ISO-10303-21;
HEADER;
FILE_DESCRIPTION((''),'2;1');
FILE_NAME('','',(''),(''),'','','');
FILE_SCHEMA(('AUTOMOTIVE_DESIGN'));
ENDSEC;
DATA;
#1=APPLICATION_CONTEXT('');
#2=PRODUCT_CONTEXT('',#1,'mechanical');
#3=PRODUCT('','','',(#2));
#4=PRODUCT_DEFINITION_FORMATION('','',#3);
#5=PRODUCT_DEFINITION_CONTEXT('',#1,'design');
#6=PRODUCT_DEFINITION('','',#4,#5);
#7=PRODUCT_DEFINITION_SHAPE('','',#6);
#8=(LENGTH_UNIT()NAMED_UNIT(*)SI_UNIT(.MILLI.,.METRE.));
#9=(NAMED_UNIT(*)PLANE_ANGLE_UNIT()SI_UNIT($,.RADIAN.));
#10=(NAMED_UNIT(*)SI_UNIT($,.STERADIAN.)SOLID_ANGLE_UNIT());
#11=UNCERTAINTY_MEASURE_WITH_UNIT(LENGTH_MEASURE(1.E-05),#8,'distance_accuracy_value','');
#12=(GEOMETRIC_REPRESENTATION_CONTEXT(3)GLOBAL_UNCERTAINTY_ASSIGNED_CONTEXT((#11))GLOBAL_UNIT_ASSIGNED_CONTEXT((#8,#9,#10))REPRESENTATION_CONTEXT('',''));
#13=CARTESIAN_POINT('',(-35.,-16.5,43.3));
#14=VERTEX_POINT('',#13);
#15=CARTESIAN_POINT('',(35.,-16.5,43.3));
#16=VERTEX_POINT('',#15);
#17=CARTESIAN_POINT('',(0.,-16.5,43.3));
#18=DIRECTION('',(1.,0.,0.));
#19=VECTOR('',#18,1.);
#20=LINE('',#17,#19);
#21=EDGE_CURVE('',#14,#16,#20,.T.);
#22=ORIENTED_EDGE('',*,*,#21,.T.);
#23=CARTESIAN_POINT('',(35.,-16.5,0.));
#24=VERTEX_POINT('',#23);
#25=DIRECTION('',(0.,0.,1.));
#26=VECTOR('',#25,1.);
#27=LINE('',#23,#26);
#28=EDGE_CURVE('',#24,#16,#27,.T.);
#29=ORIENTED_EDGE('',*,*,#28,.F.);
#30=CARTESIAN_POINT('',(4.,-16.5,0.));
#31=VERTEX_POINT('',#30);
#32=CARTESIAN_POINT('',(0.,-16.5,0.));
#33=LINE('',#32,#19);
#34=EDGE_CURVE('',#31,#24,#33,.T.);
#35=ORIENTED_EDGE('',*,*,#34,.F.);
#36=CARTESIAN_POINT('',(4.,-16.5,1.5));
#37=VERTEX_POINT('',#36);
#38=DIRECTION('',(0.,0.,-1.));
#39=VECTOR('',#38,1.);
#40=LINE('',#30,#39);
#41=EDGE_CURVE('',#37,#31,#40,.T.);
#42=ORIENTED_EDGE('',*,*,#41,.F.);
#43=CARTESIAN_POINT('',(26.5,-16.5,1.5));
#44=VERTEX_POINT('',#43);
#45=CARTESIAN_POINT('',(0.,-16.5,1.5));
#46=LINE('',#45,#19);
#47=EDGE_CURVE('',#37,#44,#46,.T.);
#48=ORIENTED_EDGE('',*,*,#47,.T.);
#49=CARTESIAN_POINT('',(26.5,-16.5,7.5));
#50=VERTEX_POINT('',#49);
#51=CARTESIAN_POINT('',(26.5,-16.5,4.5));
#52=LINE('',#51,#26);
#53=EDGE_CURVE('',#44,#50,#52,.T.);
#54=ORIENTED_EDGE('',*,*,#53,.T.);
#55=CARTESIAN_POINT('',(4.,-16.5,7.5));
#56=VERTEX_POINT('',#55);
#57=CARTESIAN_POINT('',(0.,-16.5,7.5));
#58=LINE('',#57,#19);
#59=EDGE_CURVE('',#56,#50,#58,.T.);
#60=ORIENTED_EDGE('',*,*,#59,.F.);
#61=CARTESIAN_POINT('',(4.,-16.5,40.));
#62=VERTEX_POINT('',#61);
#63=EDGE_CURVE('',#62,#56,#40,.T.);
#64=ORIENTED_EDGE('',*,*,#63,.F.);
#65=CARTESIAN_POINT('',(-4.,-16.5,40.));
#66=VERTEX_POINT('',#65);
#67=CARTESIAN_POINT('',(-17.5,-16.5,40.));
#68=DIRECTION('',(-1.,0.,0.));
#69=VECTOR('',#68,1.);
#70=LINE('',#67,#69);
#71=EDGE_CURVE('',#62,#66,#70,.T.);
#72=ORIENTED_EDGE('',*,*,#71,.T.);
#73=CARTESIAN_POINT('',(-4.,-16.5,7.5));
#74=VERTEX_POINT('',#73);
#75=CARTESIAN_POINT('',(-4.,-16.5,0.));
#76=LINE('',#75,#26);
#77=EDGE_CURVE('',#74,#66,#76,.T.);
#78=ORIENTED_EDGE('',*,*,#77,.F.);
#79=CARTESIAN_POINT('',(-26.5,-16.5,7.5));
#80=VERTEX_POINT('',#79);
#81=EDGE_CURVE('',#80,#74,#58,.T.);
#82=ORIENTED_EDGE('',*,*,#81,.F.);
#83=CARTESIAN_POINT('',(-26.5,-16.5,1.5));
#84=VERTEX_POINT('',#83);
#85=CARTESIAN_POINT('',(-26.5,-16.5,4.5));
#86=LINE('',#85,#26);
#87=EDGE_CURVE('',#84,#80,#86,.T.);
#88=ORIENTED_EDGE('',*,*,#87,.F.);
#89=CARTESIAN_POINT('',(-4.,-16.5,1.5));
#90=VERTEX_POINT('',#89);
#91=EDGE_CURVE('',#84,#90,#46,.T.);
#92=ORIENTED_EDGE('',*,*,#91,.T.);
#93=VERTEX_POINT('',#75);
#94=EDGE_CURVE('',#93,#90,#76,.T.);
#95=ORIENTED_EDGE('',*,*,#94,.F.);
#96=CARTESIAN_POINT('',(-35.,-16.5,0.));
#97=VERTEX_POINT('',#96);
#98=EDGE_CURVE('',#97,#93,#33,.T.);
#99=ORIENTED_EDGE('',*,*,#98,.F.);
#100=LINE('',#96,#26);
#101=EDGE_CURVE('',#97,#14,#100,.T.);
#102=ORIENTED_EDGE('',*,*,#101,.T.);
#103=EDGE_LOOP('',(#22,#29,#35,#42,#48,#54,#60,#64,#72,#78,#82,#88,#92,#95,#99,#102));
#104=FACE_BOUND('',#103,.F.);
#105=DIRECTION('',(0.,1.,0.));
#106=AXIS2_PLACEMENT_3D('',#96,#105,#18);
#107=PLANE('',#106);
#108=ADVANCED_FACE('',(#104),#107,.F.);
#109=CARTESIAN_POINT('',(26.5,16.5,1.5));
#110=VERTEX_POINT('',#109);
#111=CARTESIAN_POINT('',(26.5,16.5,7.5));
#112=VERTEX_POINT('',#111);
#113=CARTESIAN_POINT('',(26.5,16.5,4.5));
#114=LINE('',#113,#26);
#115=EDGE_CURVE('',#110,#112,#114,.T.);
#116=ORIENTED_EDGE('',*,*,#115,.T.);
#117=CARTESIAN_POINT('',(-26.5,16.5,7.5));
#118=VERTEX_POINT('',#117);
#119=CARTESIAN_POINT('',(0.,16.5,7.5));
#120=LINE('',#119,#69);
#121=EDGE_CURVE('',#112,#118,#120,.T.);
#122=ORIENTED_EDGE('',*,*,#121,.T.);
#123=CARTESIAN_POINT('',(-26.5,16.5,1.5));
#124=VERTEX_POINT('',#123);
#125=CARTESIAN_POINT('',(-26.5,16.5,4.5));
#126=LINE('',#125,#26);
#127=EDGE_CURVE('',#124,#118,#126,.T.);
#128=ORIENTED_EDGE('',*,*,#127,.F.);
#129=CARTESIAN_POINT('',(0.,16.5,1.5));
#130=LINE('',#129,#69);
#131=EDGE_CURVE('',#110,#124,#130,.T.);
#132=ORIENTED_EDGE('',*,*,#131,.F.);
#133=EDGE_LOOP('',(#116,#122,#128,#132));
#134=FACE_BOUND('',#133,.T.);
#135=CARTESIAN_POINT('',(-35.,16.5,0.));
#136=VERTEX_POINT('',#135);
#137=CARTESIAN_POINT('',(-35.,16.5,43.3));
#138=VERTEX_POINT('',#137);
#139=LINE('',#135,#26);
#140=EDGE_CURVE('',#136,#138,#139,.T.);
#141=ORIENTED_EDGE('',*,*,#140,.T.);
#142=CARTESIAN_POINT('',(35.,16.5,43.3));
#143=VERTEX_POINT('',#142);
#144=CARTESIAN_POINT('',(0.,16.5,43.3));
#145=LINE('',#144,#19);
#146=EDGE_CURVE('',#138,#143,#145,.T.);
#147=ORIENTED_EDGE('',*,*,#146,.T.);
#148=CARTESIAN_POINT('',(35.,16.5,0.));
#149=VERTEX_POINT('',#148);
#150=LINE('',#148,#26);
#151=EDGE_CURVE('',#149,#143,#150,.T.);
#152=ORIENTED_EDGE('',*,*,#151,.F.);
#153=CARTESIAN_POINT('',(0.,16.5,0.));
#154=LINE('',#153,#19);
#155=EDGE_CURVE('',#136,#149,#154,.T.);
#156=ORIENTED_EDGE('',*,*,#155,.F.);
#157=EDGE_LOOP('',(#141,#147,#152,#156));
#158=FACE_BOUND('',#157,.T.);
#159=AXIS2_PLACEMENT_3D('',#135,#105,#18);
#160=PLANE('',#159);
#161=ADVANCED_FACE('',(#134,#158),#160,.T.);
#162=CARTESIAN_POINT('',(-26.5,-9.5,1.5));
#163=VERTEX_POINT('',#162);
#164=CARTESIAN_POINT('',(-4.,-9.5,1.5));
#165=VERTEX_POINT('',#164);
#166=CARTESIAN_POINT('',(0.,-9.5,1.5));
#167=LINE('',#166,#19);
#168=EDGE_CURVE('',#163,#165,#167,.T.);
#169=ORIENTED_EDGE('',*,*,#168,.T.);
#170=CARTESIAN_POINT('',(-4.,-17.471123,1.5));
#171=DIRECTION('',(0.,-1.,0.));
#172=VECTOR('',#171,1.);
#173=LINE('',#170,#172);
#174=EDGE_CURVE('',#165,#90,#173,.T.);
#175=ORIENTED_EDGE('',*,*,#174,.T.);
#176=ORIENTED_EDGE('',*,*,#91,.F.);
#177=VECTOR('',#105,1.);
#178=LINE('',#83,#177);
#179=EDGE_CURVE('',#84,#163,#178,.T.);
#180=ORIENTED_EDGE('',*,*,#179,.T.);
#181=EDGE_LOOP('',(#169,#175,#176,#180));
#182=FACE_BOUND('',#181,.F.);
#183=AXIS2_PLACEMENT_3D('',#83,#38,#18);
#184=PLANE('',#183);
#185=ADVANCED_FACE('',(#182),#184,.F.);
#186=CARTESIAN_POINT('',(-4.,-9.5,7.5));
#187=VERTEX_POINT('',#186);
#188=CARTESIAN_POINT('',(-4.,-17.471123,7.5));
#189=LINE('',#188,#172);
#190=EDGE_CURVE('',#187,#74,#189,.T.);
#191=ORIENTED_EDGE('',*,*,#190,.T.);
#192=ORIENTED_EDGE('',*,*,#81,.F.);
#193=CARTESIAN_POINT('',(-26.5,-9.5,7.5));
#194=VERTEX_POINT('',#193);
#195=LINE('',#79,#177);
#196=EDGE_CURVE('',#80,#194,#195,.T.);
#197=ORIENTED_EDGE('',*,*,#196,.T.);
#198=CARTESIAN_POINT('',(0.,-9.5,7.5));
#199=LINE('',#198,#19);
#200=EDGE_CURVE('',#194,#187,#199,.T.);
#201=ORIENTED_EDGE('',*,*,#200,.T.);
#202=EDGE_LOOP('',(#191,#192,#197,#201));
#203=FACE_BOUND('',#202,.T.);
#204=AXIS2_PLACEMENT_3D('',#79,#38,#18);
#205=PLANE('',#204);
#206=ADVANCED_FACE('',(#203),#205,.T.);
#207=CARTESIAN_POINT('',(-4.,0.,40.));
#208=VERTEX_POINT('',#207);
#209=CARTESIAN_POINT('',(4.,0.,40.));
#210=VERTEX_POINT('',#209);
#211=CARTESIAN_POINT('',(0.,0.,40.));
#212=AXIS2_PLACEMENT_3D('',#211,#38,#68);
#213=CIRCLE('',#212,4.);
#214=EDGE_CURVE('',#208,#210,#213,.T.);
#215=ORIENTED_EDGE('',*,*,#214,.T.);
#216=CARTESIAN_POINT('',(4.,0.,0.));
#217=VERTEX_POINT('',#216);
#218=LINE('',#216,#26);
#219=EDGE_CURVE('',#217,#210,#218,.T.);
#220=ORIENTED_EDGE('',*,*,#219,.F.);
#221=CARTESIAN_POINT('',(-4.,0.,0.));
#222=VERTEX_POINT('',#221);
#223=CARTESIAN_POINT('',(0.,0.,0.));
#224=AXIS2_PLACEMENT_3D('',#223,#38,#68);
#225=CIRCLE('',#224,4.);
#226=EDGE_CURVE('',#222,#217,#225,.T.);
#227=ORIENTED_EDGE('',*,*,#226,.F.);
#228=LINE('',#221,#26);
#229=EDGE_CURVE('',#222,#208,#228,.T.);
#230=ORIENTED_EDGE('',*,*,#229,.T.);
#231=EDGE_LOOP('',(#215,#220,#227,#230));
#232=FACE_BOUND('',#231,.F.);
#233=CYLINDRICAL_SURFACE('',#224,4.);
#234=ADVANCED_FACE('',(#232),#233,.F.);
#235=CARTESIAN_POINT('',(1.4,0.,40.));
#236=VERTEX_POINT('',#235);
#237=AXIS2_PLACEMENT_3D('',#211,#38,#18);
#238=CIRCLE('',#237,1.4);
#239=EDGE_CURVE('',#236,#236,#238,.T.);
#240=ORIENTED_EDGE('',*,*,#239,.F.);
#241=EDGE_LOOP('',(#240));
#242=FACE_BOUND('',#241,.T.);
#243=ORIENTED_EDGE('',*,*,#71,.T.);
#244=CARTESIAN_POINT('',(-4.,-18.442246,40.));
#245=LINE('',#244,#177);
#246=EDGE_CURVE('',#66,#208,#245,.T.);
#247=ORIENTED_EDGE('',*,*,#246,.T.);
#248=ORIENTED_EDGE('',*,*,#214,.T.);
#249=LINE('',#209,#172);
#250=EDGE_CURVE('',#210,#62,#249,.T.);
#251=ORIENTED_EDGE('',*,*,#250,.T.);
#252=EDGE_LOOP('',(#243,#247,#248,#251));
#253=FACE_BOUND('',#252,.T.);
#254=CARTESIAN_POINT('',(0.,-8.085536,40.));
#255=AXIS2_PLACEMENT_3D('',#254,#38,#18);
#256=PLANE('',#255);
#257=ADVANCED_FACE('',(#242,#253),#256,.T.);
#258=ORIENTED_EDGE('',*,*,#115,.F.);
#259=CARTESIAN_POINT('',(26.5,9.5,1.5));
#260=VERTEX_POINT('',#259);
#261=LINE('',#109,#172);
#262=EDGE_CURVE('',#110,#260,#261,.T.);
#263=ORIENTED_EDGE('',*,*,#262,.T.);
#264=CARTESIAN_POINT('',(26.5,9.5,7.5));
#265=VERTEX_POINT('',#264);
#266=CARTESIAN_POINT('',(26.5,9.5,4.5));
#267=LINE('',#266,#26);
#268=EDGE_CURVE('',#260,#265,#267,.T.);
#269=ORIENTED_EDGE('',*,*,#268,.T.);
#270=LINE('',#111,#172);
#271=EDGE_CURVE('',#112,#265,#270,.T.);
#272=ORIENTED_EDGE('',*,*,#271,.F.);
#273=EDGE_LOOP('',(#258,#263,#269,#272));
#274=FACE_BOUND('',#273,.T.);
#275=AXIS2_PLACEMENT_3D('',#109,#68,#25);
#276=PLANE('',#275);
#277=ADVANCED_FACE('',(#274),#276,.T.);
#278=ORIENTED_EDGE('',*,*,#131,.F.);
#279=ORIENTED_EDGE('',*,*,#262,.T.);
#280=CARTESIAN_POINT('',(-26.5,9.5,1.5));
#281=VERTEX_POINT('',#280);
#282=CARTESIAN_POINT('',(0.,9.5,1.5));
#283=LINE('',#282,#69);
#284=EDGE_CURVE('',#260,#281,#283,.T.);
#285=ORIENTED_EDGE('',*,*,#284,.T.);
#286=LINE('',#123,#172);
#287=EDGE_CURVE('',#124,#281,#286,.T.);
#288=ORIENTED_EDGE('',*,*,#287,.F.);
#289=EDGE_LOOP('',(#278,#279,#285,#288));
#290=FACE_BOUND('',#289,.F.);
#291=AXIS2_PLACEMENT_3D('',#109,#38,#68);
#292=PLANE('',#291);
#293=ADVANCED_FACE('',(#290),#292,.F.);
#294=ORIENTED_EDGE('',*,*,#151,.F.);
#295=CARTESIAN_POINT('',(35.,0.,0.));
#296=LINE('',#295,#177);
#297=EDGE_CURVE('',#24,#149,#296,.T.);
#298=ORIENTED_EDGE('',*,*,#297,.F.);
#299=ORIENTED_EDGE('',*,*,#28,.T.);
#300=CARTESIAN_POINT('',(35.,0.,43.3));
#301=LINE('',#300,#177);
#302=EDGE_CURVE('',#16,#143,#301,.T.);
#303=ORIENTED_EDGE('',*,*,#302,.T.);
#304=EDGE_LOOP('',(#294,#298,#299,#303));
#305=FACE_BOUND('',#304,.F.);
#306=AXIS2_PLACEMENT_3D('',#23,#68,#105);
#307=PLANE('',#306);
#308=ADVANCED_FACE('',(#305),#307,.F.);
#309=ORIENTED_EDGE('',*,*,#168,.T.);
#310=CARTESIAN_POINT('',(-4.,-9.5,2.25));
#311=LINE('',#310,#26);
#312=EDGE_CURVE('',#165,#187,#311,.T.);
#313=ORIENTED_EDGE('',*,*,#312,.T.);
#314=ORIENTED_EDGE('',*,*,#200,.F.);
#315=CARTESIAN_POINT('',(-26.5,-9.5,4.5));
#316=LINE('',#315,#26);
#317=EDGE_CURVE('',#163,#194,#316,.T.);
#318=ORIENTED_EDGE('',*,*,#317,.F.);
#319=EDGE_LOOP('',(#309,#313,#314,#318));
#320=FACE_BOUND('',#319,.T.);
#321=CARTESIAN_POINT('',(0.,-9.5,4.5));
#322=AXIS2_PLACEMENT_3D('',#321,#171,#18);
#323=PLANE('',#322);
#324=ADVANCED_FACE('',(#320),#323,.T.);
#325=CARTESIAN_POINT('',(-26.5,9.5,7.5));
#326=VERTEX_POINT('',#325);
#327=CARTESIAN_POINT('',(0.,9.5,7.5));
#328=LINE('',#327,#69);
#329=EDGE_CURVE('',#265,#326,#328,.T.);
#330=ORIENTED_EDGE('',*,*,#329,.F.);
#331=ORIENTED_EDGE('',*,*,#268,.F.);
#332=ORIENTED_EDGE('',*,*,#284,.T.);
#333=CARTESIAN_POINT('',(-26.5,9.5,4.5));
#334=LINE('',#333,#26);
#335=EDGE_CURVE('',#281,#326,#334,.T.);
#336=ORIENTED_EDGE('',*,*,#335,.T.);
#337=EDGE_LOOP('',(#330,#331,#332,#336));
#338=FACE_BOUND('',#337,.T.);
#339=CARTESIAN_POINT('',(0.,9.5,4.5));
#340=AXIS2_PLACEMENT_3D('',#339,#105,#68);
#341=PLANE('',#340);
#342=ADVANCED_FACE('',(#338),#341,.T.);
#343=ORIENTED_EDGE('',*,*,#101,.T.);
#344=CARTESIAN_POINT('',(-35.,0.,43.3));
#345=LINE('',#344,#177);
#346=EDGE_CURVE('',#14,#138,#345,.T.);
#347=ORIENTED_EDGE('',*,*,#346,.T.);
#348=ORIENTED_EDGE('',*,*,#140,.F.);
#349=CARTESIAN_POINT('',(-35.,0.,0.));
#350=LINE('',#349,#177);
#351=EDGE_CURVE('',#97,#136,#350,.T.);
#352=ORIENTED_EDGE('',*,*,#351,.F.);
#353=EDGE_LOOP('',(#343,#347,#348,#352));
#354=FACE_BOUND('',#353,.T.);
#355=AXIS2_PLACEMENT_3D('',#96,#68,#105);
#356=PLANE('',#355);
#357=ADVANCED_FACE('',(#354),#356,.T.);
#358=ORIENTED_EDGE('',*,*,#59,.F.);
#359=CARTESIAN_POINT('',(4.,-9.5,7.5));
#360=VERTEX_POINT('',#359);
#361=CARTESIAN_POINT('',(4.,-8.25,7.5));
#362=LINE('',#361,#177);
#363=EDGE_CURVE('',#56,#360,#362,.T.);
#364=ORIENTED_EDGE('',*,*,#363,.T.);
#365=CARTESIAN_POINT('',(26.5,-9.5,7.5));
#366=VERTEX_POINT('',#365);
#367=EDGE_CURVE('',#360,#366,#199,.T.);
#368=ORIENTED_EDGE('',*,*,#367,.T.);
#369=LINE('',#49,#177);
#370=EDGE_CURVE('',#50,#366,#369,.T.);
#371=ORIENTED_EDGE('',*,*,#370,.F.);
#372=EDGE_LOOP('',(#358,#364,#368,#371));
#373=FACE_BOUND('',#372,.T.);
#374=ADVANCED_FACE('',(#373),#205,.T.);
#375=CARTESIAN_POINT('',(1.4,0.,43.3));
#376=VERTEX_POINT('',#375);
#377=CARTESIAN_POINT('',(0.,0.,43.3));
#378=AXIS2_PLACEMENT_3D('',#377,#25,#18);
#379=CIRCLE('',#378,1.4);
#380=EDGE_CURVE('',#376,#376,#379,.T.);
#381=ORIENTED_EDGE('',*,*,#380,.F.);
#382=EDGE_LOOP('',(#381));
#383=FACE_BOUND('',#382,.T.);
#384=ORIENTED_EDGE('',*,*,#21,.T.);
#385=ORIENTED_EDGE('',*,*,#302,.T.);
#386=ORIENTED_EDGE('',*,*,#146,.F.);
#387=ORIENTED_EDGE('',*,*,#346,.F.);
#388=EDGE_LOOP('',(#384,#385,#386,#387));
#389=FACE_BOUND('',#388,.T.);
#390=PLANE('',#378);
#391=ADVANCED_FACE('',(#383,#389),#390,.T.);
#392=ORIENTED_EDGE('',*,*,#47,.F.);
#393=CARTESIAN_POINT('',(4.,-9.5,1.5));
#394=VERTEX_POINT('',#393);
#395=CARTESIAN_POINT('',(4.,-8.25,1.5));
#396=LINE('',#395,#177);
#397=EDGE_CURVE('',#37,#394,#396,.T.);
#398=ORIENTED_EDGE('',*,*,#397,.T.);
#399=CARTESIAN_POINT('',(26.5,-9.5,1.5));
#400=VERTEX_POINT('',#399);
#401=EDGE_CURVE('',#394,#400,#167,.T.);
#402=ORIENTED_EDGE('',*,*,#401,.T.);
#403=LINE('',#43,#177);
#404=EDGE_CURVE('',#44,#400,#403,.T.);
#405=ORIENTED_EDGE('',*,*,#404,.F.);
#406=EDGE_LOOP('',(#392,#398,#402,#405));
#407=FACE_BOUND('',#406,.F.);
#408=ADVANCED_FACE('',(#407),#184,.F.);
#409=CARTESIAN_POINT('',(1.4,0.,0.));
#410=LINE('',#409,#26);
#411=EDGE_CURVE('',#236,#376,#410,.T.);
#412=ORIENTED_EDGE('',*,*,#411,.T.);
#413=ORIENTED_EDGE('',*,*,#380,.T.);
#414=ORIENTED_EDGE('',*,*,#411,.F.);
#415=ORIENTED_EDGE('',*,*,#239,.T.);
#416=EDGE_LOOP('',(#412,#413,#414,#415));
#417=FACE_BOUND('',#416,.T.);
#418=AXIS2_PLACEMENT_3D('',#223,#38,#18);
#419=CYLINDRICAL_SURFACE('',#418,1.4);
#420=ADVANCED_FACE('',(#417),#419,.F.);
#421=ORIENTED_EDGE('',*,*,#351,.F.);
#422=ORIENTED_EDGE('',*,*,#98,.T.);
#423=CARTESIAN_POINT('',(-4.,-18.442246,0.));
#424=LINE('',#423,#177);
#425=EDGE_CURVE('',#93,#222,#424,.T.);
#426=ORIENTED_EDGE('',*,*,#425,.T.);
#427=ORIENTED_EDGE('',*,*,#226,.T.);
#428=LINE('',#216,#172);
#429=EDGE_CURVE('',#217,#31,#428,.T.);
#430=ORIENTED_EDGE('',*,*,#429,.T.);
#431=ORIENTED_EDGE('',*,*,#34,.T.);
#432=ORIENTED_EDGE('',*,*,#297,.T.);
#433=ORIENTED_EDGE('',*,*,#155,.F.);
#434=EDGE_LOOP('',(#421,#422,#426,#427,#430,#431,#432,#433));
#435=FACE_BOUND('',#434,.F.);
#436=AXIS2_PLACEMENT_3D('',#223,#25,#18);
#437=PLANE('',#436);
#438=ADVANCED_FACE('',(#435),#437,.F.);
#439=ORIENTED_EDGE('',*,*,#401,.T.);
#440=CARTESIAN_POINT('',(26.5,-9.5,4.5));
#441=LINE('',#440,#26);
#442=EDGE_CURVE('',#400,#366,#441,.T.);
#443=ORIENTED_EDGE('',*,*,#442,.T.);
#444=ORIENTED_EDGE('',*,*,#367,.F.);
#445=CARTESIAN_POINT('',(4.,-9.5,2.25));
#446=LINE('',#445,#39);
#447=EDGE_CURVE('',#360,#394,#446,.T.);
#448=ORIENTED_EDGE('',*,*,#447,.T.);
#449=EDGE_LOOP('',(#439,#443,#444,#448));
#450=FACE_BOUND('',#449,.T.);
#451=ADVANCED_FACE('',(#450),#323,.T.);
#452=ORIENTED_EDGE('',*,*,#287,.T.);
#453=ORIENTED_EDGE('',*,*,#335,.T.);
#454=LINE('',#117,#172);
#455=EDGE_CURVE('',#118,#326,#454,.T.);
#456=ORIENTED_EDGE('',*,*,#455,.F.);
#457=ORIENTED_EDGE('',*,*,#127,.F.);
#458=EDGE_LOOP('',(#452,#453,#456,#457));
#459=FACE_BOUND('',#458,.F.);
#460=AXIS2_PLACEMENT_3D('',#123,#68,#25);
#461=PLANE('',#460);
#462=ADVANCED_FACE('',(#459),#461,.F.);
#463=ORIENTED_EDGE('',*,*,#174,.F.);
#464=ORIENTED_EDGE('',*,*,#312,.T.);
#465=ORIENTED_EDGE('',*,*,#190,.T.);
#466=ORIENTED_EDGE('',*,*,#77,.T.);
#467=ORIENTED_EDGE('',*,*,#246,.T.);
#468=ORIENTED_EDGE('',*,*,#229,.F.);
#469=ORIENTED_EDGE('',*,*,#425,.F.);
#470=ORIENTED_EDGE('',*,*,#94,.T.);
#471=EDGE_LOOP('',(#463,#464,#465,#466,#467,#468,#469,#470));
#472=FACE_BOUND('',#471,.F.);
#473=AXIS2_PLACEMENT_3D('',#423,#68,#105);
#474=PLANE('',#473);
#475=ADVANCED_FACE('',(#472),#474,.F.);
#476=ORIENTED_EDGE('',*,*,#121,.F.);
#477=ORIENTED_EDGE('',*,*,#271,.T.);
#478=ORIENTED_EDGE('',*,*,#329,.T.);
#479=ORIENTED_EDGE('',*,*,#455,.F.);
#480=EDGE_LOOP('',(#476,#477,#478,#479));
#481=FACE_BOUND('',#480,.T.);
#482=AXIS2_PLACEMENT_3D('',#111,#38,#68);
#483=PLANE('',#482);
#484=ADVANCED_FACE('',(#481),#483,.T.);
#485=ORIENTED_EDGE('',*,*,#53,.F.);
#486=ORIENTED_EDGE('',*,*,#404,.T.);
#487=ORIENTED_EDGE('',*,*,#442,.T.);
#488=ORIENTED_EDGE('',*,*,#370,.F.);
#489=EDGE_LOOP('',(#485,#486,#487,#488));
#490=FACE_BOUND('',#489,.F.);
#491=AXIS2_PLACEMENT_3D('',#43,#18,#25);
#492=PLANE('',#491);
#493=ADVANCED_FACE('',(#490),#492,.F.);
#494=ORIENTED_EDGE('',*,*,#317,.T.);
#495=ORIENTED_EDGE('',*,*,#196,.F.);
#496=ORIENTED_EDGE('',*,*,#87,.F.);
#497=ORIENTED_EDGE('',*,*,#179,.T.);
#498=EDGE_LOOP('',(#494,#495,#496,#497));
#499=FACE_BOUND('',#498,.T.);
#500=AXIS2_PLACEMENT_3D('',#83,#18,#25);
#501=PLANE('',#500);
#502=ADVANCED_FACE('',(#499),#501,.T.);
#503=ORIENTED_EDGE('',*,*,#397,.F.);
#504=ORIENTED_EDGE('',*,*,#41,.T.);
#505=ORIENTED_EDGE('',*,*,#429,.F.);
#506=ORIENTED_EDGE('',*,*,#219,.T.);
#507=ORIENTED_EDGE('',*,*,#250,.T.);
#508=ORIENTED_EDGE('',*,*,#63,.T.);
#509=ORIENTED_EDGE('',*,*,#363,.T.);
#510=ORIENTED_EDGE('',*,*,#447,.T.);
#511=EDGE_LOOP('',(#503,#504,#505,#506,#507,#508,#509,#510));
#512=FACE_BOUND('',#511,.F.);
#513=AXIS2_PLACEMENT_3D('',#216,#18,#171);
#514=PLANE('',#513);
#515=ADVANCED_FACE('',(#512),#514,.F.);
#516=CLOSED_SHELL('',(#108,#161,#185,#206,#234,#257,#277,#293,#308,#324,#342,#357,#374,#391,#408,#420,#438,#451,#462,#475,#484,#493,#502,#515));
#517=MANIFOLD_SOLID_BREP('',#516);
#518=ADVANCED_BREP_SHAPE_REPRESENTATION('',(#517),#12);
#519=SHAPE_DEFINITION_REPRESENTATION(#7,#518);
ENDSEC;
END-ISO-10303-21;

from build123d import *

# Parameters (mm, degrees)
F0_W     = 70
F0_H     = 33
F0_R     = 1.4
F1_DEPTH = 43.3
F3_DEPTH = 40
F4_W     = 53
F4_H     = 6
F5_DEPTH = 7
F6_W     = 53
F6_H     = 6
F7_DEPTH = 7


with BuildPart() as f1:
    # F0 (on Top) → F1 (new body)
    with BuildSketch(Plane.XY):
        Rectangle(F0_W, F0_H)
        Circle(F0_R, mode=Mode.SUBTRACT)
    extrude(amount=F1_DEPTH)

    # F2 (on face) → F3 (cut)
    with BuildSketch(Plane(origin=(0, 0, 0), x_dir=(1, 0, 0), z_dir=(0, 0, -1))):
        with BuildLine():
            Line((4, 18.442246), (-4, 18.442246))
            Line((-4, 18.442246), (-4, 0))
            ThreePointArc((-4, 0), (0, -4), (4, 0))
            Line((4, 0), (4, 18.442246))
        make_face()
    extrude(amount=-F3_DEPTH, mode=Mode.SUBTRACT)

    # F4 (on face) → F5 (cut)
    with BuildSketch(Plane.XZ.offset(16.5)):
        with Locations((0, 4.5)):
            Rectangle(F4_W, F4_H)
    extrude(amount=-F5_DEPTH, mode=Mode.SUBTRACT)

    # F6 (on face) → F7 (cut)
    with BuildSketch(Plane(origin=(0, 16.5, 0), x_dir=(-1, 0, 0), z_dir=(0, 1, 0))):
        with Locations((0, 4.5)):
            Rectangle(F6_W, F6_H)
    extrude(amount=-F7_DEPTH, mode=Mode.SUBTRACT)


solid = f1.part
